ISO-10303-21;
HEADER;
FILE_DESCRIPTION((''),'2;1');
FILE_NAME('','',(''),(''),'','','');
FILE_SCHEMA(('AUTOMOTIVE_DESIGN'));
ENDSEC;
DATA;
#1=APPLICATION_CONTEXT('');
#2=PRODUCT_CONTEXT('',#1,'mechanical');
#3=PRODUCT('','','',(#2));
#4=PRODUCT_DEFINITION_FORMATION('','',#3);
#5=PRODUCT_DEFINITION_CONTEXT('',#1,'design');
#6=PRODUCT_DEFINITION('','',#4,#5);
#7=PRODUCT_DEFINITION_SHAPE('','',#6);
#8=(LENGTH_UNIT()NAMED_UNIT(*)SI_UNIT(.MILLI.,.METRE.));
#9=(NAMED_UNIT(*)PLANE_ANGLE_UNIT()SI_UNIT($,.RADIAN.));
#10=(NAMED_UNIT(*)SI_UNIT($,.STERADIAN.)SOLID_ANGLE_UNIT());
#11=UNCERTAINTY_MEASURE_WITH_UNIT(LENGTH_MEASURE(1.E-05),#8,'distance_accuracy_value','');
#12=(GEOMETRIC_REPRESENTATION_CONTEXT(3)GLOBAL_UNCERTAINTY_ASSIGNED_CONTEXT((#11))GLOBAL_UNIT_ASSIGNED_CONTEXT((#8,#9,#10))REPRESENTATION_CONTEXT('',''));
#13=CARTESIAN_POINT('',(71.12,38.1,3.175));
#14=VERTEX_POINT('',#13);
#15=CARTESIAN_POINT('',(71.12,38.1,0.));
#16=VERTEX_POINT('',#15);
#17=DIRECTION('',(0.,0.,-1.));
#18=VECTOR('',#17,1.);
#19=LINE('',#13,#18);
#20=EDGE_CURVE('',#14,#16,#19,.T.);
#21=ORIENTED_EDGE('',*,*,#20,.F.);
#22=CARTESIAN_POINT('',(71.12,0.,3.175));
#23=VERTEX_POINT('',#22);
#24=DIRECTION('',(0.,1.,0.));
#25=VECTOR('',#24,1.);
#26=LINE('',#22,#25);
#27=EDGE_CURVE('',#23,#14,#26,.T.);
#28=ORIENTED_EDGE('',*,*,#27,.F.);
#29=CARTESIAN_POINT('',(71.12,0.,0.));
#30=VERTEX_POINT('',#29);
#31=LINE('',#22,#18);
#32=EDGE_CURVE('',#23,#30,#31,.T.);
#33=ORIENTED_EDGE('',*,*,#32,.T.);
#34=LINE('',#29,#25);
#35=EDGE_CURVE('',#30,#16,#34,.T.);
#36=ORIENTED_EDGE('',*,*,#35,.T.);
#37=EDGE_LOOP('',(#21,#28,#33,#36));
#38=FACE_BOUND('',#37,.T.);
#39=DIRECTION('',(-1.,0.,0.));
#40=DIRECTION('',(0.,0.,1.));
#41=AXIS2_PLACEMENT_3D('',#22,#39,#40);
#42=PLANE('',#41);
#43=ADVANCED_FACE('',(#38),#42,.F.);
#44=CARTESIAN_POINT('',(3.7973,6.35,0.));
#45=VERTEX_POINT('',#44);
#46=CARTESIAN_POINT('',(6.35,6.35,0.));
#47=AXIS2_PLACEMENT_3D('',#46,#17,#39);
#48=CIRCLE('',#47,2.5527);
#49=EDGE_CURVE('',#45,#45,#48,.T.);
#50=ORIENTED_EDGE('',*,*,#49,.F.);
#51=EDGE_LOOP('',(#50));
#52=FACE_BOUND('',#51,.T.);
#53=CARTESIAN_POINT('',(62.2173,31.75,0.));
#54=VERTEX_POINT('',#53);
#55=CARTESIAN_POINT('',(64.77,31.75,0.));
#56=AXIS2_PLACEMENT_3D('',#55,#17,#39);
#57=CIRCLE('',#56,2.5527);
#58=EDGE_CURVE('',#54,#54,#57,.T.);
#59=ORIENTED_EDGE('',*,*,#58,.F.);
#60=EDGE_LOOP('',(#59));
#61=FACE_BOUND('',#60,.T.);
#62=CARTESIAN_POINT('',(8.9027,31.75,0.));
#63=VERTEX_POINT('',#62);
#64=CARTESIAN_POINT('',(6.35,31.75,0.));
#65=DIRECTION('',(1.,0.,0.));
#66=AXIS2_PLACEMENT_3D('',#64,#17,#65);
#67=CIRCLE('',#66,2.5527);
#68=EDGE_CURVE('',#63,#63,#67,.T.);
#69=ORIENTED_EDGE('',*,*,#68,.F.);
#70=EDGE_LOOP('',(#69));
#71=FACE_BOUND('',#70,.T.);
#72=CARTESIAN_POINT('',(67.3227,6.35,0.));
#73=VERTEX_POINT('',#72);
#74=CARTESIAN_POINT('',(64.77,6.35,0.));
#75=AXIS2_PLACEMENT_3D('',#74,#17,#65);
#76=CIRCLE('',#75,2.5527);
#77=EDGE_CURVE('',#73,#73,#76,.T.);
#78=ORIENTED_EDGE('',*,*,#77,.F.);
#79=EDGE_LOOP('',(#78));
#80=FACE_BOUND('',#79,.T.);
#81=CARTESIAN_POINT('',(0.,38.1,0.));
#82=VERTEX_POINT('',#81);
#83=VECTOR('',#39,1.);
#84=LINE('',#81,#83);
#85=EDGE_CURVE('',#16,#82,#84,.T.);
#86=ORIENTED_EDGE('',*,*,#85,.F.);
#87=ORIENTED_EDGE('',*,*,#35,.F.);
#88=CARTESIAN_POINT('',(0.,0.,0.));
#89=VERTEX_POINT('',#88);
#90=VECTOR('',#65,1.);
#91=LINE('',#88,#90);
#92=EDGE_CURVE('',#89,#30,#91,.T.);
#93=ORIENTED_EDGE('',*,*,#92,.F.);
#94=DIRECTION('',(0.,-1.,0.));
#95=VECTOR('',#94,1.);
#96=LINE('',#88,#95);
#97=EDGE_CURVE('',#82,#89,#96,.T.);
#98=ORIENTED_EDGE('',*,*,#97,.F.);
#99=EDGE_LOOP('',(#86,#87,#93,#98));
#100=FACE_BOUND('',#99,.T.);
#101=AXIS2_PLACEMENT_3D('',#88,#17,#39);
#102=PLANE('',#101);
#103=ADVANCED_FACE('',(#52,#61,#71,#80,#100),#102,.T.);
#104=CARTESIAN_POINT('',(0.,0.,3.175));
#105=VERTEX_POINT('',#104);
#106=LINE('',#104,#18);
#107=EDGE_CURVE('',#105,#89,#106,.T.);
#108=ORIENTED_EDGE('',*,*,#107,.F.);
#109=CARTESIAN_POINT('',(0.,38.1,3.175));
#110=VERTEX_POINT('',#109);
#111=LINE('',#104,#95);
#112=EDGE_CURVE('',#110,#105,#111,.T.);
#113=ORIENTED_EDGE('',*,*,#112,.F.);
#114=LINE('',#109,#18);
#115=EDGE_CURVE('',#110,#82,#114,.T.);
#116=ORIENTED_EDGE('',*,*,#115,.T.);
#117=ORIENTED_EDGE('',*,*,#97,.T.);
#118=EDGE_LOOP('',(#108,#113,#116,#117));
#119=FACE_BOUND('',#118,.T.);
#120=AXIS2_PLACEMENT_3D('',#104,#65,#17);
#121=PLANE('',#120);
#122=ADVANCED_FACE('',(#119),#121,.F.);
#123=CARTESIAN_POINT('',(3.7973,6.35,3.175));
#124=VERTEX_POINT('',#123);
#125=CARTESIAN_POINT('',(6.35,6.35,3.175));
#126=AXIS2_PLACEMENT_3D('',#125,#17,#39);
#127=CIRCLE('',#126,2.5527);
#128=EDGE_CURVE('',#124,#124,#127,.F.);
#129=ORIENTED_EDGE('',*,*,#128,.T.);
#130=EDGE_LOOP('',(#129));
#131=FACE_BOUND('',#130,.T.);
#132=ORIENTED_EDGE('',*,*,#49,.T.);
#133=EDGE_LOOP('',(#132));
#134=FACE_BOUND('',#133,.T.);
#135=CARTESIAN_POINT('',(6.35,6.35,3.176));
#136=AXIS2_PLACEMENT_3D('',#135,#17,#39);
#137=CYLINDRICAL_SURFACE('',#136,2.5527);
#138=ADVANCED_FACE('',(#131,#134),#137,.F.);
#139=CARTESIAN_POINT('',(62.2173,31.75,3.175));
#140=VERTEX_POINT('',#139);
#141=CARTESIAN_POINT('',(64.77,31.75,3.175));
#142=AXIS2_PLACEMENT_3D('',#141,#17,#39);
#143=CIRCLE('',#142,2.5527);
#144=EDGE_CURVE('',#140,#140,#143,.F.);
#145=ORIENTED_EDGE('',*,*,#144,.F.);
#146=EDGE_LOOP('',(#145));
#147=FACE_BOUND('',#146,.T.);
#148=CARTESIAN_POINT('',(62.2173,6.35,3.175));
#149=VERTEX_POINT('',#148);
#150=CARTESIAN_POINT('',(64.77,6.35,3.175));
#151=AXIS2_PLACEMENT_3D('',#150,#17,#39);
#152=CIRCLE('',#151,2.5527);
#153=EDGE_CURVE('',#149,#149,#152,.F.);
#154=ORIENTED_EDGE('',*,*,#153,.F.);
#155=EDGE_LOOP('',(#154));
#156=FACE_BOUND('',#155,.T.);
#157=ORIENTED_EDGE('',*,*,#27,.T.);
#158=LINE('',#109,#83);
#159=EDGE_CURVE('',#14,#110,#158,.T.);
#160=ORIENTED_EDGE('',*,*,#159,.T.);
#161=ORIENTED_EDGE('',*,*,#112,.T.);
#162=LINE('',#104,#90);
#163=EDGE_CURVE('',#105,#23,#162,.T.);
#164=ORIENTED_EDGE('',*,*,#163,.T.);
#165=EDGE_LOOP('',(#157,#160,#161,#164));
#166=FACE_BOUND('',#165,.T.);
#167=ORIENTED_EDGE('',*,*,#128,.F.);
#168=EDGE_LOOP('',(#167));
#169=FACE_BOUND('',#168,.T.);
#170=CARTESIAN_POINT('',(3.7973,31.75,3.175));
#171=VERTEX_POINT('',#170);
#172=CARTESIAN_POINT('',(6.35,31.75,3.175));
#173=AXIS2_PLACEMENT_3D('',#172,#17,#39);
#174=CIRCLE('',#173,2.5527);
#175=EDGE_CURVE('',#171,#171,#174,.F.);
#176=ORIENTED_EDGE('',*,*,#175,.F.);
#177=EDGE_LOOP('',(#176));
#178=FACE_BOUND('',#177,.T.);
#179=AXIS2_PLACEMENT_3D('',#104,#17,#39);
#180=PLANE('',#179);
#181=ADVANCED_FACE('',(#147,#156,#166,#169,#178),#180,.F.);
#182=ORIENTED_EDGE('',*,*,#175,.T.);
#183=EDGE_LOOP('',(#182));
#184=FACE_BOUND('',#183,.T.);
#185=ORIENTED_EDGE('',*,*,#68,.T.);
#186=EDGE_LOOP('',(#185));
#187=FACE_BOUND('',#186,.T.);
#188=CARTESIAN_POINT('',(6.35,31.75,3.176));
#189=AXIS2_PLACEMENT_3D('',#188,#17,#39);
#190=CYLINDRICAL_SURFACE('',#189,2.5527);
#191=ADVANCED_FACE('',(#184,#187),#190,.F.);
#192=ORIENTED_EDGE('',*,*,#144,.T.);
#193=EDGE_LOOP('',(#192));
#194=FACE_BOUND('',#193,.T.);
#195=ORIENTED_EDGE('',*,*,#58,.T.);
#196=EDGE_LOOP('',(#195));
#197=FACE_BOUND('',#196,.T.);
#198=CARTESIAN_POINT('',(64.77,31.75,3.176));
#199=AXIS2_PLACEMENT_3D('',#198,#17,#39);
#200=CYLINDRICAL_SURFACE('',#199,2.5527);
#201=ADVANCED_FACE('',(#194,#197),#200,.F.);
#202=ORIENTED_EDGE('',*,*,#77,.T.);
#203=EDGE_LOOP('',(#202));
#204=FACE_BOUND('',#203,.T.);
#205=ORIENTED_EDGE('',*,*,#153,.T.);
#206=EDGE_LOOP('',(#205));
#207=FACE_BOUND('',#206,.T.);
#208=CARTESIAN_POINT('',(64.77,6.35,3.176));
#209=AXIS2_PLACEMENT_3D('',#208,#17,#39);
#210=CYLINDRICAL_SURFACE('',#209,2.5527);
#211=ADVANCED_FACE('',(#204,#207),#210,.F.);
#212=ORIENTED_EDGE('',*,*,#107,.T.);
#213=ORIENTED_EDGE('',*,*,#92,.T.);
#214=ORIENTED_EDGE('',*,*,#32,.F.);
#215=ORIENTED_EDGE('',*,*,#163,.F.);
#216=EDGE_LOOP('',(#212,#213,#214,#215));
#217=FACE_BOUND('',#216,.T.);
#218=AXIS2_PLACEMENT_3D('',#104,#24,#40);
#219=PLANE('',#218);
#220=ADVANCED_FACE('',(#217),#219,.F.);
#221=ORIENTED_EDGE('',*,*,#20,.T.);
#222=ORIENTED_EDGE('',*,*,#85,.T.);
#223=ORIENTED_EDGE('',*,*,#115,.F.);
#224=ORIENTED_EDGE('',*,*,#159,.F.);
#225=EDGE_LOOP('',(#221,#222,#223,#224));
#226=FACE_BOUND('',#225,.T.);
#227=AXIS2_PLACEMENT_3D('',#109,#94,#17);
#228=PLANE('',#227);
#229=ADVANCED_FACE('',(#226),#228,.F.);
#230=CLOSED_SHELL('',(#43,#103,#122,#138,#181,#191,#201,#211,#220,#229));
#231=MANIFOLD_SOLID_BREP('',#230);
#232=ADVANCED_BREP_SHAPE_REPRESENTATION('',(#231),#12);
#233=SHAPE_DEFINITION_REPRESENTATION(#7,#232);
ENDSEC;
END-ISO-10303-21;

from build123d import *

# Parameters (mm, degrees)
SKETCH1_W           = 71.12
SKETCH1_H           = 38.1
BOSS_EXTRUDE1_DEPTH = 3.175
CUT_EXTRUDE1_REACH  = 5.175
SKETCH2_R           = 2.5527


with BuildPart() as part:
    # Sketch1 → Boss-Extrude1 (new body)
    with BuildSketch(Plane.XY):
        with Locations((35.56, 19.05)):
            Rectangle(SKETCH1_W, SKETCH1_H)
    extrude(amount=BOSS_EXTRUDE1_DEPTH)

    # Sketch2 → Cut-Extrude1 (cut, up to next)
    with BuildSketch(Plane(origin=(0, 0, 0), x_dir=(-1, 0, 0), z_dir=(0, 0, -1)), mode=Mode.PRIVATE) as cut_extrude1_sk1:
        with Locations((-6.35, 6.35)):
            Circle(SKETCH2_R)
    cut_extrude1_tool1 = extrude(cut_extrude1_sk1.sketch, amount=-CUT_EXTRUDE1_REACH, mode=Mode.PRIVATE) & part.part
    add(cut_extrude1_tool1.solids().sort_by_distance((6.35, 6.35, 0))[0], mode=Mode.SUBTRACT)
    # Sketch2 → Cut-Extrude1 (cut, up to next)
    with BuildSketch(Plane(origin=(0, 0, 0), x_dir=(-1, 0, 0), z_dir=(0, 0, -1)), mode=Mode.PRIVATE) as cut_extrude1_sk2:
        with Locations((-64.77, 6.35)):
            Circle(SKETCH2_R)
    cut_extrude1_tool2 = extrude(cut_extrude1_sk2.sketch, amount=-CUT_EXTRUDE1_REACH, mode=Mode.PRIVATE) & part.part
    add(cut_extrude1_tool2.solids().sort_by_distance((64.77, 6.35, 0))[0], mode=Mode.SUBTRACT)
    # Sketch2 → Cut-Extrude1 (cut, up to next)
    with BuildSketch(Plane(origin=(0, 0, 0), x_dir=(-1, 0, 0), z_dir=(0, 0, -1)), mode=Mode.PRIVATE) as cut_extrude1_sk3:
        with Locations((-64.77, 31.75)):
            Circle(SKETCH2_R)
    cut_extrude1_tool3 = extrude(cut_extrude1_sk3.sketch, amount=-CUT_EXTRUDE1_REACH, mode=Mode.PRIVATE) & part.part
    add(cut_extrude1_tool3.solids().sort_by_distance((64.77, 31.75, 0))[0], mode=Mode.SUBTRACT)
    # Sketch2 → Cut-Extrude1 (cut, up to next)
    with BuildSketch(Plane(origin=(0, 0, 0), x_dir=(-1, 0, 0), z_dir=(0, 0, -1)), mode=Mode.PRIVATE) as cut_extrude1_sk4:
        with Locations((-6.35, 31.75)):
            Circle(SKETCH2_R)
    cut_extrude1_tool4 = extrude(cut_extrude1_sk4.sketch, amount=-CUT_EXTRUDE1_REACH, mode=Mode.PRIVATE) & part.part
    add(cut_extrude1_tool4.solids().sort_by_distance((6.35, 31.75, 0))[0], mode=Mode.SUBTRACT)


solid = part.part
